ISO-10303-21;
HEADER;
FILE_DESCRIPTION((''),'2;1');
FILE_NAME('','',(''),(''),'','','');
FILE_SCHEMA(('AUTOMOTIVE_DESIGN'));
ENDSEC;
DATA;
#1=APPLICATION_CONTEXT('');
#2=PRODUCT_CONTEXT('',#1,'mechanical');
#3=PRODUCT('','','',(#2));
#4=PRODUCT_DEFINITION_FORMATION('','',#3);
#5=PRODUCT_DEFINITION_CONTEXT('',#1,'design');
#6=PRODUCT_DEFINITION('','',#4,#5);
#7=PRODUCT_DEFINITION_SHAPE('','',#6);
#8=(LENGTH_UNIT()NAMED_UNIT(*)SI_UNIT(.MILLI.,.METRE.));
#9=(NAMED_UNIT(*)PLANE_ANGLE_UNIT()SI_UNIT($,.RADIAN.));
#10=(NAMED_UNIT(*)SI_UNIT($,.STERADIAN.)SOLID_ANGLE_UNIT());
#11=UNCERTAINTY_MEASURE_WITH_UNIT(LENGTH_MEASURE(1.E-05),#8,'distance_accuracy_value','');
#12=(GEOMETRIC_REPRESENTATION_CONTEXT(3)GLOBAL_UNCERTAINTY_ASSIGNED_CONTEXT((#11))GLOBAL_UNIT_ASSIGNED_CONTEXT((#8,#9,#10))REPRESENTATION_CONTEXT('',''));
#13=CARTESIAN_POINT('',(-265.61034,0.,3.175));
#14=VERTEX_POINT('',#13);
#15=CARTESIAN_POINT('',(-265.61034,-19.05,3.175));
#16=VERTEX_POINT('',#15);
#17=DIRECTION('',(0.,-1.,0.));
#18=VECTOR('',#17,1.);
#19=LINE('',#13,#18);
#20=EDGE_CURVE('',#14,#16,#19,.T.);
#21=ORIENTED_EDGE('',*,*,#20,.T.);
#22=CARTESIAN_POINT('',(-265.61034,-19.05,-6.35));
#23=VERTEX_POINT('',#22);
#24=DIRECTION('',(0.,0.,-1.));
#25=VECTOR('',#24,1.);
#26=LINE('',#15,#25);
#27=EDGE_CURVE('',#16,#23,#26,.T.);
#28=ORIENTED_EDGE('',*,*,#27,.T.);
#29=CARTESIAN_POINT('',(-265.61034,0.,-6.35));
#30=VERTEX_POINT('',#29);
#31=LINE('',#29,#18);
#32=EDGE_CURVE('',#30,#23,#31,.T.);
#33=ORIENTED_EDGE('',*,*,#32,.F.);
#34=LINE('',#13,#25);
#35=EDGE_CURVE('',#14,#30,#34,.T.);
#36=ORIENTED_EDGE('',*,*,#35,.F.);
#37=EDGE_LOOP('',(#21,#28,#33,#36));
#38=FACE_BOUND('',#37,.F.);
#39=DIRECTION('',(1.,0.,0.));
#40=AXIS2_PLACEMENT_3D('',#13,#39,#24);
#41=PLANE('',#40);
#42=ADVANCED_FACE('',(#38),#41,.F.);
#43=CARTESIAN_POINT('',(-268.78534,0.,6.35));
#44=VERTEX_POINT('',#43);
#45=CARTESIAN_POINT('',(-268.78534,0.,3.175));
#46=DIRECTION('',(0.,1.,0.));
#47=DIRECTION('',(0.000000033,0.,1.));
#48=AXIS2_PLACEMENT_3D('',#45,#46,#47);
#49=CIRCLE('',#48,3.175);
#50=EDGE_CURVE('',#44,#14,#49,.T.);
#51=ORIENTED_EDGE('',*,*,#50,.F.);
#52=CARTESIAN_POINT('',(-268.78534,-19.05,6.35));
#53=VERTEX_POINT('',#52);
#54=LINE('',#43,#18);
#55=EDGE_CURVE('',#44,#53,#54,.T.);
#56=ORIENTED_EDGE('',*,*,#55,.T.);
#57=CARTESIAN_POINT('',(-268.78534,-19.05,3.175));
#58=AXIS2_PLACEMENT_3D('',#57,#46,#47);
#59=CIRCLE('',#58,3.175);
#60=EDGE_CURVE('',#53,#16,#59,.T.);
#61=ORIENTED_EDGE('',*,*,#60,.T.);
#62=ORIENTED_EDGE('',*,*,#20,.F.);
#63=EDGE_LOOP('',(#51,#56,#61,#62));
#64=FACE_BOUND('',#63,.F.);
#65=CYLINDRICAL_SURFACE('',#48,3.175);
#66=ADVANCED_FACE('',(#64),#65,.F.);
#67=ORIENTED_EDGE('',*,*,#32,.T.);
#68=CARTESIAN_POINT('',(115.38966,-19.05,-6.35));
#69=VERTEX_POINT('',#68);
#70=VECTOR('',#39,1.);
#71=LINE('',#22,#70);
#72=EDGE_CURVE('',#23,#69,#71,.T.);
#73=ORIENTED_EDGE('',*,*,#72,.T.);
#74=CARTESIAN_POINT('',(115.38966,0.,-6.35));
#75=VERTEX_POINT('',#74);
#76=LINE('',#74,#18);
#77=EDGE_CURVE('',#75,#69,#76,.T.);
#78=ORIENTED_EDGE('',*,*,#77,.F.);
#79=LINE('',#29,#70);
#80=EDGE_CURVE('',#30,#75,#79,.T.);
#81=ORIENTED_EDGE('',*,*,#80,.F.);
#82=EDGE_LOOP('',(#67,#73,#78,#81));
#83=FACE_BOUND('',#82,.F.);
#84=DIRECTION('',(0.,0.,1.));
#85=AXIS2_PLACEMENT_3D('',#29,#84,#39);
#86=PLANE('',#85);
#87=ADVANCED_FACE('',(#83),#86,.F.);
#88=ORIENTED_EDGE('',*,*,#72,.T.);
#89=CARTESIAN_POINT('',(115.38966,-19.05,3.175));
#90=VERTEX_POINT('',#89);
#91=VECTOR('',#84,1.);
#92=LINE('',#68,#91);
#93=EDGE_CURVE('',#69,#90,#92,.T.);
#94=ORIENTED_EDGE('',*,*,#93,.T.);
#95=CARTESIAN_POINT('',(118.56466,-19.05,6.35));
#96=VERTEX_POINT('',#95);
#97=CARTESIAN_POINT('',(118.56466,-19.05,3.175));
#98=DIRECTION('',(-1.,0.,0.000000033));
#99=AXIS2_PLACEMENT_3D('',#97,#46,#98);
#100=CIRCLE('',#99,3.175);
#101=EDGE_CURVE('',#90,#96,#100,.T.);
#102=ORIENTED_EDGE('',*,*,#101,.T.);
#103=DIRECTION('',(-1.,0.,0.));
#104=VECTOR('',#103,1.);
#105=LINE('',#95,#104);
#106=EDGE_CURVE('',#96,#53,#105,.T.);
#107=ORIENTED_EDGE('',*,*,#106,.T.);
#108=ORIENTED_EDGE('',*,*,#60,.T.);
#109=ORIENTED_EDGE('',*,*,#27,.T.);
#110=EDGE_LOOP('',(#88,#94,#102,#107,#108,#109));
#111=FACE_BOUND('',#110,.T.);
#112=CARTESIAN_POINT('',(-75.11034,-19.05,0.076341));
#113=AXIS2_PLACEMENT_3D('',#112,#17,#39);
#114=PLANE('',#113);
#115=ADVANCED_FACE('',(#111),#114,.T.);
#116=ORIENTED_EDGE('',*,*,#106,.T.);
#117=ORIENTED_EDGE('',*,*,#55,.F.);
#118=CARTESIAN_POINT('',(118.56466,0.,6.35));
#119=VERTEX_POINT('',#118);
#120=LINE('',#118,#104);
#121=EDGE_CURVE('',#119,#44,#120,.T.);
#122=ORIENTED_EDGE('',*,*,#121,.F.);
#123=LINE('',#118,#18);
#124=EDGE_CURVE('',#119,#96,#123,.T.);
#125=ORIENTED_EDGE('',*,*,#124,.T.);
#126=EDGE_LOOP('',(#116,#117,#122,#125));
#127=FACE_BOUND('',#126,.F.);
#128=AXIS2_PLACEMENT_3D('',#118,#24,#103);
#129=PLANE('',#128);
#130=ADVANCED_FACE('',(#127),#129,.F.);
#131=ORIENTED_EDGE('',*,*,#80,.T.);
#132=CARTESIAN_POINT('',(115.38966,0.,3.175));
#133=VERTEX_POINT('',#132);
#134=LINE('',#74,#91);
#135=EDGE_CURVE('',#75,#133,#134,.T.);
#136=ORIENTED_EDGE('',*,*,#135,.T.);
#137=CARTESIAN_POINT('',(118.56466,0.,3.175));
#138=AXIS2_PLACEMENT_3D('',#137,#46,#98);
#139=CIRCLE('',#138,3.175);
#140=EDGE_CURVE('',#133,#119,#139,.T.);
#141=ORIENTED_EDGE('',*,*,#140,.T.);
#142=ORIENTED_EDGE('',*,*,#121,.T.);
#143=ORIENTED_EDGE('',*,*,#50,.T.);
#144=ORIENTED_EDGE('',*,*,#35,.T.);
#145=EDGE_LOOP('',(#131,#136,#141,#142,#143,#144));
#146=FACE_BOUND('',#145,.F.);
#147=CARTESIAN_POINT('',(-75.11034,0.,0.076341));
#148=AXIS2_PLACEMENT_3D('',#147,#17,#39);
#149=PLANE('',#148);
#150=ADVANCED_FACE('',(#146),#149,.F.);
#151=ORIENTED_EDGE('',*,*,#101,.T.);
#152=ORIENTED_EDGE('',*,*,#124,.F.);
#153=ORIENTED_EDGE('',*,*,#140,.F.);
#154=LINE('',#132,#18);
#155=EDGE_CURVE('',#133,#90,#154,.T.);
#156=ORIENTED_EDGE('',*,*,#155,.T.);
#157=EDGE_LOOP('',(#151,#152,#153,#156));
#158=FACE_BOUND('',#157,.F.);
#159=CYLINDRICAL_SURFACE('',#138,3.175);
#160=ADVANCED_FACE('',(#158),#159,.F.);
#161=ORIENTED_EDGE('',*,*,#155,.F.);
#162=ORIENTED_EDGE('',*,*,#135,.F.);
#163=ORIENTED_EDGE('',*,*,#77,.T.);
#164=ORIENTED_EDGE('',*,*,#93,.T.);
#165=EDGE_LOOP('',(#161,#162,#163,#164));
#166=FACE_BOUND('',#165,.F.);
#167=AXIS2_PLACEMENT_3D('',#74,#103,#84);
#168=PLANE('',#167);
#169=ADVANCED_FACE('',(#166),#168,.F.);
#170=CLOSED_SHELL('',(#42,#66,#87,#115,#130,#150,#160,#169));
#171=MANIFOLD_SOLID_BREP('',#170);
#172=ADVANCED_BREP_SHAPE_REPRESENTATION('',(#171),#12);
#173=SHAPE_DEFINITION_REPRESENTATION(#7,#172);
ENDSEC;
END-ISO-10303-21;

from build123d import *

# Parameters (mm, degrees)
F1_DEPTH = 19.05


with BuildPart() as f1:
    # F0 (on Front) → F1 (new body)
    with BuildSketch(Plane.XZ):
        with BuildLine():
            ThreePointArc((115.38966, 3.175), (116.319596, 5.420064), (118.56466, 6.35))
            Line((118.56466, 6.35), (-268.78534, 6.35))
            ThreePointArc((-268.78534, 6.35), (-266.540276, 5.420064), (-265.61034, 3.175))
            Line((-265.61034, 3.175), (-265.61034, -6.35))
            Line((-265.61034, -6.35), (115.38966, -6.35))
            Line((115.38966, -6.35), (115.38966, 3.175))
        make_face()
    extrude(amount=F1_DEPTH)


solid = f1.part
